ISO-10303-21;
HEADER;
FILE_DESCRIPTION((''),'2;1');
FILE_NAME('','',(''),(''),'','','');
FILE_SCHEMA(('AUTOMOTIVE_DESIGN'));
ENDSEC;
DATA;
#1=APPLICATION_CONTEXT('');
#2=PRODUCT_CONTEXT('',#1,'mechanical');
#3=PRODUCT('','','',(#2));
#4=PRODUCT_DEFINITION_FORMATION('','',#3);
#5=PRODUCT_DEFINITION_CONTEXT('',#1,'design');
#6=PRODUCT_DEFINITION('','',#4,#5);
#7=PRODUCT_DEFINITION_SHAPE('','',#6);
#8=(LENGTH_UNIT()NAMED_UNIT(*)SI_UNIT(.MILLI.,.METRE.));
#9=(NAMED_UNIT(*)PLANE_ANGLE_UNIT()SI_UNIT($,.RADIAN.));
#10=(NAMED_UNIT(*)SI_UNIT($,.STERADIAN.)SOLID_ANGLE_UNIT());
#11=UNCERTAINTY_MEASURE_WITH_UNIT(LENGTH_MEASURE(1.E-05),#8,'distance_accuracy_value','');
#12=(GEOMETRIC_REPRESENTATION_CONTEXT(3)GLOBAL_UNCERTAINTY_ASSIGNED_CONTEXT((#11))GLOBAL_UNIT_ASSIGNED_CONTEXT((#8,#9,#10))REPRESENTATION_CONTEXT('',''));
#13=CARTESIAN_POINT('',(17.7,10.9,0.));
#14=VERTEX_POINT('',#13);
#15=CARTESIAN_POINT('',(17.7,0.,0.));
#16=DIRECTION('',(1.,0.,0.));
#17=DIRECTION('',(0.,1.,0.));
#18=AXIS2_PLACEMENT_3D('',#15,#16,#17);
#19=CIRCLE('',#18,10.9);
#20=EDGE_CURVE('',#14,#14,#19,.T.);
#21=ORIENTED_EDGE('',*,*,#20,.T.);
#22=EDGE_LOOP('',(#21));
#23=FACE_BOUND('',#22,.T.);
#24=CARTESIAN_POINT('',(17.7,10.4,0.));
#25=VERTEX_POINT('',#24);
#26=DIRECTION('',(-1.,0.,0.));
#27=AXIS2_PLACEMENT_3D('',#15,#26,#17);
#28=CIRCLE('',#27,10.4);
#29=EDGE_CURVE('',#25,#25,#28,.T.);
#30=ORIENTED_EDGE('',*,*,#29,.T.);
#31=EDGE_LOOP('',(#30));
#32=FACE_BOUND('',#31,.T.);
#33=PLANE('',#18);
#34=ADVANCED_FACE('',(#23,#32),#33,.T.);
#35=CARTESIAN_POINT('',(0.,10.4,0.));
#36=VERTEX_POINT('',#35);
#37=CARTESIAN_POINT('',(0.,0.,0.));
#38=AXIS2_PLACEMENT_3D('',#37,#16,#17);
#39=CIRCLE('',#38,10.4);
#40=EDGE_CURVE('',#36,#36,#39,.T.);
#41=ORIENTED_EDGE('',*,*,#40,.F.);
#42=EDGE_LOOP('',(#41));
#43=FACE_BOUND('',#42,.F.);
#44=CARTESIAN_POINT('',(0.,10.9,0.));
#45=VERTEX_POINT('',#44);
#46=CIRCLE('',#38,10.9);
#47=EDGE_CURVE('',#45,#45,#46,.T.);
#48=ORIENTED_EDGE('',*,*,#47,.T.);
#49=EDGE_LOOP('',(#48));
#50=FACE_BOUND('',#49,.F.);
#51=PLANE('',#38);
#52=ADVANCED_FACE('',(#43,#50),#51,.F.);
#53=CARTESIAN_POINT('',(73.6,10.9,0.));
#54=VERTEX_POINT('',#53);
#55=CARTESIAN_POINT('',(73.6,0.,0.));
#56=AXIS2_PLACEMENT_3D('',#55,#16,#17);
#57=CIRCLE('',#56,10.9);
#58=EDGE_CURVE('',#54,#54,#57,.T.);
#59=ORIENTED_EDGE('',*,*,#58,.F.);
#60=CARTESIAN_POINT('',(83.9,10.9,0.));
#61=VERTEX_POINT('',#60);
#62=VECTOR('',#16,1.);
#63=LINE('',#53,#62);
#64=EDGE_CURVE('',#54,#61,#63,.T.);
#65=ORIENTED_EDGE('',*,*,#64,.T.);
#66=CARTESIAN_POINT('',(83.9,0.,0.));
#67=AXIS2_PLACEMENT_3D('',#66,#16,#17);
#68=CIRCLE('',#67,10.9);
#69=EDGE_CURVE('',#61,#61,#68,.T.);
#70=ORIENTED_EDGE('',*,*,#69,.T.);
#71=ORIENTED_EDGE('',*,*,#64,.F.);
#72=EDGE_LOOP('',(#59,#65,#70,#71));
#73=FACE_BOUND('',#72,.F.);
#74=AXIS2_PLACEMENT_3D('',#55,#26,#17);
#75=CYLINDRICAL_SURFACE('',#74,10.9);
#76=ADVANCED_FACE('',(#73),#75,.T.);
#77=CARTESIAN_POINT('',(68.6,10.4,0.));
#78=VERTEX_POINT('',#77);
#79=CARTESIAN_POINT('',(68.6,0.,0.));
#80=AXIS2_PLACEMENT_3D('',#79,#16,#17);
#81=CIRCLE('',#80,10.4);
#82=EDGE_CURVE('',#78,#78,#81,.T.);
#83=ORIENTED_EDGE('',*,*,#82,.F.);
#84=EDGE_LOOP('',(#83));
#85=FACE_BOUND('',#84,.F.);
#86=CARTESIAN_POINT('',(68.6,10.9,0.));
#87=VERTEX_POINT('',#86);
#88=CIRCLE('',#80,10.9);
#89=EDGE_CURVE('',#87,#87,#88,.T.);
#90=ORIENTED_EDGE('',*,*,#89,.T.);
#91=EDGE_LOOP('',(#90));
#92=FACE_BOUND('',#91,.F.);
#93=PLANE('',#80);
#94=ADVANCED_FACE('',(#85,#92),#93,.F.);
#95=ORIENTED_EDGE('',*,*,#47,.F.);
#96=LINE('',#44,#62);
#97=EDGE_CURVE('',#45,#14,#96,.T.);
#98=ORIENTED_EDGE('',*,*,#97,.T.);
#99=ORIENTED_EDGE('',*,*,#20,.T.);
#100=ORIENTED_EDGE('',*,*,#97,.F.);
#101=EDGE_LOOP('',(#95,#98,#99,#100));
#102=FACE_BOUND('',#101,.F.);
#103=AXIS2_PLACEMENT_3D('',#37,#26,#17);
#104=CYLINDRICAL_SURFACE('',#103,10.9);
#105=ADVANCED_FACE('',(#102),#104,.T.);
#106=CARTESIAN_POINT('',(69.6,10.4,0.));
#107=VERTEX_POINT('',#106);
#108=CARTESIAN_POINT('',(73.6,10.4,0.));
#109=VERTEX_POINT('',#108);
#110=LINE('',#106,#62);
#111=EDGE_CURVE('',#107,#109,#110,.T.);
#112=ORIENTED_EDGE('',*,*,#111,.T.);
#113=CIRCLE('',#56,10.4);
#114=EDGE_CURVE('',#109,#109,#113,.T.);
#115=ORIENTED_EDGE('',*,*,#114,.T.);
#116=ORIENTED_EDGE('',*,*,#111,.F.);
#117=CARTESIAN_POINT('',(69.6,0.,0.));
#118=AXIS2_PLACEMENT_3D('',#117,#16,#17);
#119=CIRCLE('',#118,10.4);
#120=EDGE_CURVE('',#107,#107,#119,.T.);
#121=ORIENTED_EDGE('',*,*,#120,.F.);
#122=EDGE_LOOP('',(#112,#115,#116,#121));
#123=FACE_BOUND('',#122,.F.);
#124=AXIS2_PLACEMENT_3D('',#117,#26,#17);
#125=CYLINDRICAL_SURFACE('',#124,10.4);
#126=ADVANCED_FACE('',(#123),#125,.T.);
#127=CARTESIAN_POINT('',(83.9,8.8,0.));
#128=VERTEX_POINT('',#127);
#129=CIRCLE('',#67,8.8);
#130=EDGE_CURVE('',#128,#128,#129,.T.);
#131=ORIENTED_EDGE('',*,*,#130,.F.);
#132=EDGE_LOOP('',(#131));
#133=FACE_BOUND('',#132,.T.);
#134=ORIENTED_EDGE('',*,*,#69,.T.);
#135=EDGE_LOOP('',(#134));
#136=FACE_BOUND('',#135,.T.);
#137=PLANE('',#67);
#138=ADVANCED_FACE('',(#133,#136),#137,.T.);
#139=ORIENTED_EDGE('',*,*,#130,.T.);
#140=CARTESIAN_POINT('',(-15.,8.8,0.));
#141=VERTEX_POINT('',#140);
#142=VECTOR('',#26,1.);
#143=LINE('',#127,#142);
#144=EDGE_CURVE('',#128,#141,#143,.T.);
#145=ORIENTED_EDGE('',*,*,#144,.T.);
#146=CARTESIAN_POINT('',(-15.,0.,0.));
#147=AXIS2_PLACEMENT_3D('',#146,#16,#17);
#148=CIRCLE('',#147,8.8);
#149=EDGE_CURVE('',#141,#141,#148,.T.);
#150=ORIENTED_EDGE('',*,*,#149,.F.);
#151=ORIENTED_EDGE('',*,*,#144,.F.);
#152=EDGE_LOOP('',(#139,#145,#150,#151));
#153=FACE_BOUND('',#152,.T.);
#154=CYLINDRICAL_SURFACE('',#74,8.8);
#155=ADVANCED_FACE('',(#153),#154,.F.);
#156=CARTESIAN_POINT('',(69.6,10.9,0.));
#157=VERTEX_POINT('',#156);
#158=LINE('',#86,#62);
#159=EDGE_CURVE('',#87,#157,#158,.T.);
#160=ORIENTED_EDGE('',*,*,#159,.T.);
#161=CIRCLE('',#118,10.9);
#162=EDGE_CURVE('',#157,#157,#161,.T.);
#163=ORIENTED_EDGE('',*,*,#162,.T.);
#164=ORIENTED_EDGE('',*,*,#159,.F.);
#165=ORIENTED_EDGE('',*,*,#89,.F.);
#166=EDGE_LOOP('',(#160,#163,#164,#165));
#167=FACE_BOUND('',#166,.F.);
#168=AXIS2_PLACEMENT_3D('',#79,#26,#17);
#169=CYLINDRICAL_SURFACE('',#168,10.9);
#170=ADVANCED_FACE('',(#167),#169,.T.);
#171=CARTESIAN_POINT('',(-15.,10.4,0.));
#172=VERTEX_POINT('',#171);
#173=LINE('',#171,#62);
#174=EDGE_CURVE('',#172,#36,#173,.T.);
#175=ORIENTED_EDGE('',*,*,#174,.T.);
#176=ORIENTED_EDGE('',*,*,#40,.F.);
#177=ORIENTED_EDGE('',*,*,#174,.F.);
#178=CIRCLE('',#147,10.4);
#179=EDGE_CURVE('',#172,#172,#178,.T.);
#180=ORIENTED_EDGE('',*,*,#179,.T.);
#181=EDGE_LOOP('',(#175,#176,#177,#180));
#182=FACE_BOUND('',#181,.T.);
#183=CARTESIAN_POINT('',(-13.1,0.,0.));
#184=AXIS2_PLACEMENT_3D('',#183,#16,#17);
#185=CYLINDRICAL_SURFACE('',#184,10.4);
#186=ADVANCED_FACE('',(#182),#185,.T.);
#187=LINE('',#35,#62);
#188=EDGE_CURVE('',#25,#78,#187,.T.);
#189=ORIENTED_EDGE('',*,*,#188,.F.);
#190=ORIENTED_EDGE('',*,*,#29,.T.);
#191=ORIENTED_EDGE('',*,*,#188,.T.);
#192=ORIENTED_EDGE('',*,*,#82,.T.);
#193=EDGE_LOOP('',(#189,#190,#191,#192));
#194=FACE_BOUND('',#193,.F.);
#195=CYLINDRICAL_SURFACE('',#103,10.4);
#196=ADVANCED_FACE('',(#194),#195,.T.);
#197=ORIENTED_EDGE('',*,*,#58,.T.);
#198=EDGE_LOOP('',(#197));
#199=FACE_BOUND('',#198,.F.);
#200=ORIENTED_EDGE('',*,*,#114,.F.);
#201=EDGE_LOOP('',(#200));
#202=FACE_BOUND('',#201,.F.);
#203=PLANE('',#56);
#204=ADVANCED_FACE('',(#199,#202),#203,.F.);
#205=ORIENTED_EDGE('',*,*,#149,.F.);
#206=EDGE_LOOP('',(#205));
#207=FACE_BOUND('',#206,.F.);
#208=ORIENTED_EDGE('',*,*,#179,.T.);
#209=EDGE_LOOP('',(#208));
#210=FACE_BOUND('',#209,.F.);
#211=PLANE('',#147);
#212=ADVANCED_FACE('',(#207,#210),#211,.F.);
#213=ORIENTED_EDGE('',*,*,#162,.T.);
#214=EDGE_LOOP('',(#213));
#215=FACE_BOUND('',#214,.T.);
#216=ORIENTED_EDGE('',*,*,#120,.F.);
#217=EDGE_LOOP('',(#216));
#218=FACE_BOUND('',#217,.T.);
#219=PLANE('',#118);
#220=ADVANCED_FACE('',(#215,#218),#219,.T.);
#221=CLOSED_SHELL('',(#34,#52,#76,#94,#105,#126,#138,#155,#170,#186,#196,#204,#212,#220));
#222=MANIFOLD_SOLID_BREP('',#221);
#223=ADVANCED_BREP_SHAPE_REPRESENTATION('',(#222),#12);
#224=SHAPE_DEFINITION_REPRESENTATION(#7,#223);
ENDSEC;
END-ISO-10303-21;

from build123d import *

# Parameters (mm, degrees)
F0_R      = 10.4
F0_R_2    = 8.8
F1_DEPTH  = 13.1
F2_DEPTH  = 25
F3_DEPTH  = 1.9
F4_R      = 10.9
F4_R_2    = 10.4
F5_DEPTH  = 17.7
F6_DEPTH  = 68.6
F7_R      = 10.9
F7_R_2    = 10.4
F7_R_3    = 8.8
F8_DEPTH  = 1
F9_R      = 10.4
F9_R_2    = 8.8
F10_DEPTH = 4
F11_R     = 10.9
F11_R_2   = 10.4
F11_R_3   = 8.8
F12_DEPTH = 10.3


with BuildPart() as f1:
    # F0 (on Right) → F1 (new body)
    with BuildSketch(Plane.YZ):
        Circle(F0_R)
        Circle(F0_R_2, mode=Mode.SUBTRACT)
        Circle(F0_R_2)
    extrude(amount=-F1_DEPTH)

    # F0 (on Right) → F2 (cut)
    with BuildSketch(Plane.YZ):
        Circle(F0_R_2)
    extrude(amount=-F2_DEPTH, mode=Mode.SUBTRACT)

    # F3 (add): a face of the model
    f3_faces = [f1.faces().sort_by_distance(p)[0] for p in [
        (-13.1, -10.105843579, 0),
    ]]
    extrude(f3_faces, amount=F3_DEPTH)

    # F4 (on face) + F0 (on Right) → F5 (join)
    with BuildSketch(Plane.YZ):
        Circle(F4_R)
        Circle(F4_R_2, mode=Mode.SUBTRACT)
    with BuildSketch(Plane.YZ):
        Circle(F0_R)
        Circle(F0_R_2, mode=Mode.SUBTRACT)
    extrude(amount=F5_DEPTH)

    # F0 (on Right) → F6 (join)
    with BuildSketch(Plane.YZ):
        Circle(F0_R)
        Circle(F0_R_2, mode=Mode.SUBTRACT)
    extrude(amount=F6_DEPTH)

    # F7 (on face) → F8 (join)
    with BuildSketch(Plane.YZ.offset(68.6)):
        Circle(F7_R)
        Circle(F7_R_2, mode=Mode.SUBTRACT)
        Circle(F7_R_2)
        Circle(F7_R_3, mode=Mode.SUBTRACT)
    extrude(amount=F8_DEPTH)

    # F9 (on face) → F10 (join)
    with BuildSketch(Plane.YZ.offset(69.6)):
        Circle(F9_R)
        Circle(F9_R_2, mode=Mode.SUBTRACT)
    extrude(amount=F10_DEPTH)

    # F11 (on face) → F12 (join)
    with BuildSketch(Plane.YZ.offset(73.6)):
        Circle(F11_R)
        Circle(F11_R_2, mode=Mode.SUBTRACT)
        Circle(F11_R_2)
        Circle(F11_R_3, mode=Mode.SUBTRACT)
    extrude(amount=F12_DEPTH)


solid = f1.part
